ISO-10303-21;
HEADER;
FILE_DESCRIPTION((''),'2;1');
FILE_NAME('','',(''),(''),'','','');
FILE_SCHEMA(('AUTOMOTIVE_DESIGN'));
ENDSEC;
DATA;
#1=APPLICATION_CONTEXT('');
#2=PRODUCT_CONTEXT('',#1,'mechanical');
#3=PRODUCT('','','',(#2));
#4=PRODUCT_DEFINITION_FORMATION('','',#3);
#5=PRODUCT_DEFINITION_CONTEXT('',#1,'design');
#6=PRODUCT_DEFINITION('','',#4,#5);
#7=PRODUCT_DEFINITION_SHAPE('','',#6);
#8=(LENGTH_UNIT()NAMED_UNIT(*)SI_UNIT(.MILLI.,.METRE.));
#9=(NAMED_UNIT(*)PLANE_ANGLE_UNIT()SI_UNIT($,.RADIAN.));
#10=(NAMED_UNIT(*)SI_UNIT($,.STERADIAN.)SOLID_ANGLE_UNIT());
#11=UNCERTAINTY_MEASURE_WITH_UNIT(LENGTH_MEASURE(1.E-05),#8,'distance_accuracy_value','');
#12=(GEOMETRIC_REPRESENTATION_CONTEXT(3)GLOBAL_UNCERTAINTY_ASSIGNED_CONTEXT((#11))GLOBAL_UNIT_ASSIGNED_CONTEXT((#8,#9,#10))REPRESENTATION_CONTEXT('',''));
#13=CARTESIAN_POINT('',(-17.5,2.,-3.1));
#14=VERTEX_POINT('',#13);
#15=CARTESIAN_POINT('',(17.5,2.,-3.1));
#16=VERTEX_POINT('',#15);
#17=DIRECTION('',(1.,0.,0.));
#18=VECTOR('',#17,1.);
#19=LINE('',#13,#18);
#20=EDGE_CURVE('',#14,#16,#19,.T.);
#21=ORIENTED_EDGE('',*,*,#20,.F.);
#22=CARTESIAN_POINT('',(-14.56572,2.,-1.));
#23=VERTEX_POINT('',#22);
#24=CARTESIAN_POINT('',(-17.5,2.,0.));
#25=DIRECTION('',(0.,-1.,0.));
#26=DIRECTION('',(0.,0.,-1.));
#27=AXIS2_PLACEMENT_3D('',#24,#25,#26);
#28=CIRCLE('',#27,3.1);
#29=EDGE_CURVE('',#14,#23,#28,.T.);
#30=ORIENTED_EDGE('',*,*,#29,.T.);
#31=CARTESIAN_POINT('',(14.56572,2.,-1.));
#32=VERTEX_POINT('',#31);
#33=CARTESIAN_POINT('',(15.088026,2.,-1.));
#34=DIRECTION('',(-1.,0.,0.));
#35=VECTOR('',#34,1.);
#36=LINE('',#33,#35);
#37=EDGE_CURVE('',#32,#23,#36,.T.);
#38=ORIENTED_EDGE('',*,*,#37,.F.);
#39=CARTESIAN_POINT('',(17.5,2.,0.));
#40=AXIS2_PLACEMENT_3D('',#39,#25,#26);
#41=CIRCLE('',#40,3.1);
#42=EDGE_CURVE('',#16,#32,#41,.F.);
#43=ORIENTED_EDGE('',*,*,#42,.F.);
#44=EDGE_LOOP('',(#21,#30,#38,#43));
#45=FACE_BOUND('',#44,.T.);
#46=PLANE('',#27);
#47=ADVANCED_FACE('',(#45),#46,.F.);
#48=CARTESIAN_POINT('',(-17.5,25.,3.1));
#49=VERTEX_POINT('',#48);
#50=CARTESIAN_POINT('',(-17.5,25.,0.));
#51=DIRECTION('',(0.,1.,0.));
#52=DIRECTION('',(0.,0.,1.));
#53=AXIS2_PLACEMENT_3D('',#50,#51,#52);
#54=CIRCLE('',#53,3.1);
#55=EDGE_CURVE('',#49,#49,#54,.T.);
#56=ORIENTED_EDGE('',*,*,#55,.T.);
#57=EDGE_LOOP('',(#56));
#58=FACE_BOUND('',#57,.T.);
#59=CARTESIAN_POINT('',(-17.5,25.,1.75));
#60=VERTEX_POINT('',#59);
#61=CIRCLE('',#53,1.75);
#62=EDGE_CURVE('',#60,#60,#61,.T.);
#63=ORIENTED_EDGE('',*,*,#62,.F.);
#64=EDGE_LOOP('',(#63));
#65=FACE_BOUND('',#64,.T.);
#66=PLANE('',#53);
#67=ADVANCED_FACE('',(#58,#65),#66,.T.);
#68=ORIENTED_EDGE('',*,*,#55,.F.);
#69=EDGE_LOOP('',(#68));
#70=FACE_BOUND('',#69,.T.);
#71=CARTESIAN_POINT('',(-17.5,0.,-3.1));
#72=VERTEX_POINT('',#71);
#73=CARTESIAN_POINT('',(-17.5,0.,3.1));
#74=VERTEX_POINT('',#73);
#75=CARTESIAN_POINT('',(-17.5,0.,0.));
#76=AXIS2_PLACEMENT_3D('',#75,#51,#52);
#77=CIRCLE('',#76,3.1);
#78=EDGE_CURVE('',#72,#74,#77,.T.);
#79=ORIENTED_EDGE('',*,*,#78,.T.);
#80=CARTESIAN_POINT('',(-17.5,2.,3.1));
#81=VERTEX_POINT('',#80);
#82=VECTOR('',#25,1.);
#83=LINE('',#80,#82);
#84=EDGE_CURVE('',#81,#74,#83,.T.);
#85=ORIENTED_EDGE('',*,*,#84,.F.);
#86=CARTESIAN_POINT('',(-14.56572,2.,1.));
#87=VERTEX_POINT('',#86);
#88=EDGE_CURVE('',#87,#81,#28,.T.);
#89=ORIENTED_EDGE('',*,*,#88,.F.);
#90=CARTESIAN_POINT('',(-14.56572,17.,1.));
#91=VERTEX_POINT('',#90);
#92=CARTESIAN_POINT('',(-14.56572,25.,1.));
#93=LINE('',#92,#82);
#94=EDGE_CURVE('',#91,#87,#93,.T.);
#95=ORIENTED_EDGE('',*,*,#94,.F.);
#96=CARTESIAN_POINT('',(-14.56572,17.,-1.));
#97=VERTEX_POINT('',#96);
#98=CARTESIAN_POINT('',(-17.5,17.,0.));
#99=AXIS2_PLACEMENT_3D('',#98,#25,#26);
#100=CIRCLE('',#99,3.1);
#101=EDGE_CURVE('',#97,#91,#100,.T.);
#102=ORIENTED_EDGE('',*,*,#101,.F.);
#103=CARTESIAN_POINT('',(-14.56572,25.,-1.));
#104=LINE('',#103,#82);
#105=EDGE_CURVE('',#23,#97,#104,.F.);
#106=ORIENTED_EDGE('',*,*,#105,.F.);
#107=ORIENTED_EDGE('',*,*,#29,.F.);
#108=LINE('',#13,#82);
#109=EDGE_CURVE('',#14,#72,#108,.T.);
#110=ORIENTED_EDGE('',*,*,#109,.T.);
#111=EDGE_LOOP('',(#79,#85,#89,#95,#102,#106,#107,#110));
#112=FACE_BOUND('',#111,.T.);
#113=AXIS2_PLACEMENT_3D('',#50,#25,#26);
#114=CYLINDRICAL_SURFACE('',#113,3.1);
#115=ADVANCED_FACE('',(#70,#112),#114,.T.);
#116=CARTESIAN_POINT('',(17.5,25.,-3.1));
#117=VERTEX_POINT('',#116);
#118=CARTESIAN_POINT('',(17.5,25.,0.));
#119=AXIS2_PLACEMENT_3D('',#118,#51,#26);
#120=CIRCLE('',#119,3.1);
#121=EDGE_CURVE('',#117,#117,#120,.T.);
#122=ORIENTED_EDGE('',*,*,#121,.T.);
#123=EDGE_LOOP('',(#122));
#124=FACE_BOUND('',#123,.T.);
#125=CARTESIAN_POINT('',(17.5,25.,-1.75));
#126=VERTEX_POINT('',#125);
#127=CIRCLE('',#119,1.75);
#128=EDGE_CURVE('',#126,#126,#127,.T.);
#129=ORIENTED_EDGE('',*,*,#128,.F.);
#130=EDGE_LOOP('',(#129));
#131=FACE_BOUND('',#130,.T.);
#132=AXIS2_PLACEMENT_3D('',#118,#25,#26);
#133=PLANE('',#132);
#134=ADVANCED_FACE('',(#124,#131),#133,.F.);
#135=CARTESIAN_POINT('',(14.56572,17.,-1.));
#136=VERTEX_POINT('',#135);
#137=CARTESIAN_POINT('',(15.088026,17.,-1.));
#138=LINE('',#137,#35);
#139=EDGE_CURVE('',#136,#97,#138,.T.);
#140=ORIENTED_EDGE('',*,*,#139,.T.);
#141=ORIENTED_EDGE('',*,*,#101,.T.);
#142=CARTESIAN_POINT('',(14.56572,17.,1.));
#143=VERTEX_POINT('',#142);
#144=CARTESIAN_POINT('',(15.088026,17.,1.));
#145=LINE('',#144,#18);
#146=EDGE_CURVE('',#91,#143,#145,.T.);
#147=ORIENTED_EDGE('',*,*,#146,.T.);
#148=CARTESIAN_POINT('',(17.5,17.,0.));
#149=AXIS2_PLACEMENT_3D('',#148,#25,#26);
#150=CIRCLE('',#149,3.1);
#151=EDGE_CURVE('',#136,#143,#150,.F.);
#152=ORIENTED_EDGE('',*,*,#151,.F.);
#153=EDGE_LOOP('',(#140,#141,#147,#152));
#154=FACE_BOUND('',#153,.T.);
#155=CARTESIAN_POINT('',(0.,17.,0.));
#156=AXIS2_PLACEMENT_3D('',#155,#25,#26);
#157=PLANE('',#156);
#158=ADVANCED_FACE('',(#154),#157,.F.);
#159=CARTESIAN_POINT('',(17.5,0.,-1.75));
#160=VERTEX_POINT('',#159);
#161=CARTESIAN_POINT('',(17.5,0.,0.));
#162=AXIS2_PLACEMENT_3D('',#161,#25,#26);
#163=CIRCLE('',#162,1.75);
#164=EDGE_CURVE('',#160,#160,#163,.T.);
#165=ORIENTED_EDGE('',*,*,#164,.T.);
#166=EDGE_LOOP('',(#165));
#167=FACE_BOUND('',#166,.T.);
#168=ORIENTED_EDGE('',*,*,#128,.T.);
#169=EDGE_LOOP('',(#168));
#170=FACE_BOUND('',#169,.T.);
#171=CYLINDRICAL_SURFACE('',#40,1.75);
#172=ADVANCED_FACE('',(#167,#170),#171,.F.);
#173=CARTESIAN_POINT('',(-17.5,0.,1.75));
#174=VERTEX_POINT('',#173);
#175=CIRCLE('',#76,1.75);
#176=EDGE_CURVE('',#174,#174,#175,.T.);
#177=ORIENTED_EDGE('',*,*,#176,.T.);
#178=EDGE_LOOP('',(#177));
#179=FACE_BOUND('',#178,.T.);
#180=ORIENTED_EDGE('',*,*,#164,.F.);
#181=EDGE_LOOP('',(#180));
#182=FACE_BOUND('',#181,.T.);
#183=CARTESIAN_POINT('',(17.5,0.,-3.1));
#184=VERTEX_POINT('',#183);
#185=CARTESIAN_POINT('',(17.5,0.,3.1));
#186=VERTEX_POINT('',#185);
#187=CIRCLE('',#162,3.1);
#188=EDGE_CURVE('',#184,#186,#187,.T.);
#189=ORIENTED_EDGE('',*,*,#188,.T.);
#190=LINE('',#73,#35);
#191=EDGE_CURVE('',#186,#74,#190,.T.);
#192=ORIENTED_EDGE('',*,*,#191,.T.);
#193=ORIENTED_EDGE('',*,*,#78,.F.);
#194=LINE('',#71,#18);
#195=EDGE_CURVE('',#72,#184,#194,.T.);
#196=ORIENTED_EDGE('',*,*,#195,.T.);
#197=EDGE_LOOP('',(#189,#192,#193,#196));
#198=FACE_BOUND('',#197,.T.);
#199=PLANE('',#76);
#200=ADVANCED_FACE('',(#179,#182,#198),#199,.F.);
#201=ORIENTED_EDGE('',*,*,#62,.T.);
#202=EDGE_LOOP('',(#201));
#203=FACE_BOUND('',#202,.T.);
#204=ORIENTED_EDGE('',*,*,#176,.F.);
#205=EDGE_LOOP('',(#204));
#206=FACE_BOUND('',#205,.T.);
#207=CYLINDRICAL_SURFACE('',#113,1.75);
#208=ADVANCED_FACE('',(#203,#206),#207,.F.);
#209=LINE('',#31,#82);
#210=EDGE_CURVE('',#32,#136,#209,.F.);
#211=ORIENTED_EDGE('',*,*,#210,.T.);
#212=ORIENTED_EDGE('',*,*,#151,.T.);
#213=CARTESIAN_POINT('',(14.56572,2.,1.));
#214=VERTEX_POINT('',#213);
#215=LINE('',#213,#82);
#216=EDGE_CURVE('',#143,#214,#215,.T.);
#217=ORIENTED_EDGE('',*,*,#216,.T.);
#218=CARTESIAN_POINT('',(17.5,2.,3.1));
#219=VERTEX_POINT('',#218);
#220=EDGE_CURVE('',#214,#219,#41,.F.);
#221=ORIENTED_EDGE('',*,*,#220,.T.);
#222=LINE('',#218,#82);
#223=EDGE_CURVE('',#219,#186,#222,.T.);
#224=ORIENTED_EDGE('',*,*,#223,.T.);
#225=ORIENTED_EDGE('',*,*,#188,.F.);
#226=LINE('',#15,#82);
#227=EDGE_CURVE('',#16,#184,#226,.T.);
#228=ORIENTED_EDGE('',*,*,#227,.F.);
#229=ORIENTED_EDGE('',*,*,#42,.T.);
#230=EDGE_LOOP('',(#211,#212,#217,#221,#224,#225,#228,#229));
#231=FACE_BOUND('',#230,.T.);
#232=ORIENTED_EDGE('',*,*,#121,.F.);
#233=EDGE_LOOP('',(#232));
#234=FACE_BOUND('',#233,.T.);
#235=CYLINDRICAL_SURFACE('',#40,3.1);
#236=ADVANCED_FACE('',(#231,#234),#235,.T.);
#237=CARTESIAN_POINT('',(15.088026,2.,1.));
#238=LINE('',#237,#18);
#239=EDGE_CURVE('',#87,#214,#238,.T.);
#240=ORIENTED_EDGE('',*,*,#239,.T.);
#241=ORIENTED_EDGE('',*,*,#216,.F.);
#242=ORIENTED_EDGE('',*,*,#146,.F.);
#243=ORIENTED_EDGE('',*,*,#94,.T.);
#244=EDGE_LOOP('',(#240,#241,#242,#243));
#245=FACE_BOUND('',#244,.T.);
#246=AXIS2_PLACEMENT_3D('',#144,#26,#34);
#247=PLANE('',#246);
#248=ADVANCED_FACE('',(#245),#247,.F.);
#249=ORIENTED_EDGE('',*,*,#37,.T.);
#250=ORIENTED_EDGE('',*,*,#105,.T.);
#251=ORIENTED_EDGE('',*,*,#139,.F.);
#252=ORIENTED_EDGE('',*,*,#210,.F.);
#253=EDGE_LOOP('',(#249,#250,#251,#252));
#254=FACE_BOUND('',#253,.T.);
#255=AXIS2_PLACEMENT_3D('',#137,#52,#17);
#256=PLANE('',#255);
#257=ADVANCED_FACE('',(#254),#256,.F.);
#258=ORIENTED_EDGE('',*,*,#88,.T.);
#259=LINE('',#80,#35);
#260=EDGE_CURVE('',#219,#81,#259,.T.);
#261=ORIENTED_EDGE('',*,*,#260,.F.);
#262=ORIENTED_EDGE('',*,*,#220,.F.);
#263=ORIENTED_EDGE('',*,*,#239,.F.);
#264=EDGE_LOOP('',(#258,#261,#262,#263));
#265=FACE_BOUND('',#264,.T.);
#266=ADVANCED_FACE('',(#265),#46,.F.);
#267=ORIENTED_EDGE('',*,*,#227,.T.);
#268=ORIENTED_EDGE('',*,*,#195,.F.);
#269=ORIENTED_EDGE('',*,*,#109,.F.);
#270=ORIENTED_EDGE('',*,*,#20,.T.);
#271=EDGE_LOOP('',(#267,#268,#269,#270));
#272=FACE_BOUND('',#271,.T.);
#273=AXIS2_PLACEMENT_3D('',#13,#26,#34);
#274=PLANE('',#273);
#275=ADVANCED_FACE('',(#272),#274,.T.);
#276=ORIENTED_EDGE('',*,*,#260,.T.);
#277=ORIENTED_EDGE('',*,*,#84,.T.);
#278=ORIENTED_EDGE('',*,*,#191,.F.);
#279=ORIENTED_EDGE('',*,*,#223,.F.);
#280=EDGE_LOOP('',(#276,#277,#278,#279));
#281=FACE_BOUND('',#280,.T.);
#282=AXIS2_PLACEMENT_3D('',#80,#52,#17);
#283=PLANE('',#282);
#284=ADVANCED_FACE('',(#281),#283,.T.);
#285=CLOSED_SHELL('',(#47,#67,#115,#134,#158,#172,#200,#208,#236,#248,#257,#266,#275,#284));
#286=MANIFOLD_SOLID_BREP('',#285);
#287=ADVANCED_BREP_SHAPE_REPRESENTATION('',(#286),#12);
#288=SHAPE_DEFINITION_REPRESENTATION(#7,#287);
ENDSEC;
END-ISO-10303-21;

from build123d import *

# Parameters (mm, degrees)
SKETCH_1_R        = 3.1
SKETCH_1_R_2      = 1.75
EXTRUDE_1_DEPTH   = 25
EXTRUDE_1_2_DEPTH = 25
SKETCH_2_R        = 1.75
EXTRUDE_2_DEPTH   = 2
SKETCH_3_W        = 30.176052102
SKETCH_3_H        = 2
EXTRUDE_3_DEPTH   = 15


with BuildPart() as part:
    # Эскиз1 → Бобышка-Вытянуть1 (new body)
    with BuildSketch(Plane(origin=(0, 0, 0), x_dir=(1, 0, 0), z_dir=(0, 1, 0))):
        with Locations((-17.5, 0)):
            Circle(SKETCH_1_R)
        with Locations((-17.5, 0)):
            Circle(SKETCH_1_R_2, mode=Mode.SUBTRACT)
    extrude(amount=EXTRUDE_1_DEPTH)



with BuildPart() as body_2:
    # Эскиз1 → Extrude 1 2 (new body)
    with BuildSketch(Plane(origin=(0, 0, 0), x_dir=(1, 0, 0), z_dir=(0, 1, 0))):
        with Locations((17.5, 0)):
            Circle(SKETCH_1_R)
        with Locations((17.5, 0)):
            Circle(SKETCH_1_R_2, mode=Mode.SUBTRACT)
    extrude(amount=EXTRUDE_1_2_DEPTH)


with BuildPart() as part_1:
    add(part.part)

    add(body_2.part)  # Бобышка-Вытянуть2 merges body 2
    # Эскиз2 → Бобышка-Вытянуть2 (add)
    with BuildSketch(Plane.XZ):
        with BuildLine():
            Line((-17.5, 3.1), (17.5, 3.1))
            ThreePointArc((17.5, 3.1), (20.6, 0), (17.5, -3.1))
            Line((17.5, -3.1), (-17.5, -3.1))
            ThreePointArc((-17.5, -3.1), (-20.6, 0), (-17.5, 3.1))
        make_face()
        with Locations((-17.5, 0)):
            Circle(SKETCH_2_R, mode=Mode.SUBTRACT)
        with Locations((17.5, 0)):
            Circle(SKETCH_2_R, mode=Mode.SUBTRACT)
    extrude(amount=-EXTRUDE_2_DEPTH)

    # Эскиз3 → Бобышка-Вытянуть3 (add)
    with BuildSketch(Plane(origin=(0, 2, 0), x_dir=(1, 0, 0), z_dir=(0, 1, 0))):
        Rectangle(SKETCH_3_W, SKETCH_3_H)
    extrude(amount=EXTRUDE_3_DEPTH)


solid = part_1.part
